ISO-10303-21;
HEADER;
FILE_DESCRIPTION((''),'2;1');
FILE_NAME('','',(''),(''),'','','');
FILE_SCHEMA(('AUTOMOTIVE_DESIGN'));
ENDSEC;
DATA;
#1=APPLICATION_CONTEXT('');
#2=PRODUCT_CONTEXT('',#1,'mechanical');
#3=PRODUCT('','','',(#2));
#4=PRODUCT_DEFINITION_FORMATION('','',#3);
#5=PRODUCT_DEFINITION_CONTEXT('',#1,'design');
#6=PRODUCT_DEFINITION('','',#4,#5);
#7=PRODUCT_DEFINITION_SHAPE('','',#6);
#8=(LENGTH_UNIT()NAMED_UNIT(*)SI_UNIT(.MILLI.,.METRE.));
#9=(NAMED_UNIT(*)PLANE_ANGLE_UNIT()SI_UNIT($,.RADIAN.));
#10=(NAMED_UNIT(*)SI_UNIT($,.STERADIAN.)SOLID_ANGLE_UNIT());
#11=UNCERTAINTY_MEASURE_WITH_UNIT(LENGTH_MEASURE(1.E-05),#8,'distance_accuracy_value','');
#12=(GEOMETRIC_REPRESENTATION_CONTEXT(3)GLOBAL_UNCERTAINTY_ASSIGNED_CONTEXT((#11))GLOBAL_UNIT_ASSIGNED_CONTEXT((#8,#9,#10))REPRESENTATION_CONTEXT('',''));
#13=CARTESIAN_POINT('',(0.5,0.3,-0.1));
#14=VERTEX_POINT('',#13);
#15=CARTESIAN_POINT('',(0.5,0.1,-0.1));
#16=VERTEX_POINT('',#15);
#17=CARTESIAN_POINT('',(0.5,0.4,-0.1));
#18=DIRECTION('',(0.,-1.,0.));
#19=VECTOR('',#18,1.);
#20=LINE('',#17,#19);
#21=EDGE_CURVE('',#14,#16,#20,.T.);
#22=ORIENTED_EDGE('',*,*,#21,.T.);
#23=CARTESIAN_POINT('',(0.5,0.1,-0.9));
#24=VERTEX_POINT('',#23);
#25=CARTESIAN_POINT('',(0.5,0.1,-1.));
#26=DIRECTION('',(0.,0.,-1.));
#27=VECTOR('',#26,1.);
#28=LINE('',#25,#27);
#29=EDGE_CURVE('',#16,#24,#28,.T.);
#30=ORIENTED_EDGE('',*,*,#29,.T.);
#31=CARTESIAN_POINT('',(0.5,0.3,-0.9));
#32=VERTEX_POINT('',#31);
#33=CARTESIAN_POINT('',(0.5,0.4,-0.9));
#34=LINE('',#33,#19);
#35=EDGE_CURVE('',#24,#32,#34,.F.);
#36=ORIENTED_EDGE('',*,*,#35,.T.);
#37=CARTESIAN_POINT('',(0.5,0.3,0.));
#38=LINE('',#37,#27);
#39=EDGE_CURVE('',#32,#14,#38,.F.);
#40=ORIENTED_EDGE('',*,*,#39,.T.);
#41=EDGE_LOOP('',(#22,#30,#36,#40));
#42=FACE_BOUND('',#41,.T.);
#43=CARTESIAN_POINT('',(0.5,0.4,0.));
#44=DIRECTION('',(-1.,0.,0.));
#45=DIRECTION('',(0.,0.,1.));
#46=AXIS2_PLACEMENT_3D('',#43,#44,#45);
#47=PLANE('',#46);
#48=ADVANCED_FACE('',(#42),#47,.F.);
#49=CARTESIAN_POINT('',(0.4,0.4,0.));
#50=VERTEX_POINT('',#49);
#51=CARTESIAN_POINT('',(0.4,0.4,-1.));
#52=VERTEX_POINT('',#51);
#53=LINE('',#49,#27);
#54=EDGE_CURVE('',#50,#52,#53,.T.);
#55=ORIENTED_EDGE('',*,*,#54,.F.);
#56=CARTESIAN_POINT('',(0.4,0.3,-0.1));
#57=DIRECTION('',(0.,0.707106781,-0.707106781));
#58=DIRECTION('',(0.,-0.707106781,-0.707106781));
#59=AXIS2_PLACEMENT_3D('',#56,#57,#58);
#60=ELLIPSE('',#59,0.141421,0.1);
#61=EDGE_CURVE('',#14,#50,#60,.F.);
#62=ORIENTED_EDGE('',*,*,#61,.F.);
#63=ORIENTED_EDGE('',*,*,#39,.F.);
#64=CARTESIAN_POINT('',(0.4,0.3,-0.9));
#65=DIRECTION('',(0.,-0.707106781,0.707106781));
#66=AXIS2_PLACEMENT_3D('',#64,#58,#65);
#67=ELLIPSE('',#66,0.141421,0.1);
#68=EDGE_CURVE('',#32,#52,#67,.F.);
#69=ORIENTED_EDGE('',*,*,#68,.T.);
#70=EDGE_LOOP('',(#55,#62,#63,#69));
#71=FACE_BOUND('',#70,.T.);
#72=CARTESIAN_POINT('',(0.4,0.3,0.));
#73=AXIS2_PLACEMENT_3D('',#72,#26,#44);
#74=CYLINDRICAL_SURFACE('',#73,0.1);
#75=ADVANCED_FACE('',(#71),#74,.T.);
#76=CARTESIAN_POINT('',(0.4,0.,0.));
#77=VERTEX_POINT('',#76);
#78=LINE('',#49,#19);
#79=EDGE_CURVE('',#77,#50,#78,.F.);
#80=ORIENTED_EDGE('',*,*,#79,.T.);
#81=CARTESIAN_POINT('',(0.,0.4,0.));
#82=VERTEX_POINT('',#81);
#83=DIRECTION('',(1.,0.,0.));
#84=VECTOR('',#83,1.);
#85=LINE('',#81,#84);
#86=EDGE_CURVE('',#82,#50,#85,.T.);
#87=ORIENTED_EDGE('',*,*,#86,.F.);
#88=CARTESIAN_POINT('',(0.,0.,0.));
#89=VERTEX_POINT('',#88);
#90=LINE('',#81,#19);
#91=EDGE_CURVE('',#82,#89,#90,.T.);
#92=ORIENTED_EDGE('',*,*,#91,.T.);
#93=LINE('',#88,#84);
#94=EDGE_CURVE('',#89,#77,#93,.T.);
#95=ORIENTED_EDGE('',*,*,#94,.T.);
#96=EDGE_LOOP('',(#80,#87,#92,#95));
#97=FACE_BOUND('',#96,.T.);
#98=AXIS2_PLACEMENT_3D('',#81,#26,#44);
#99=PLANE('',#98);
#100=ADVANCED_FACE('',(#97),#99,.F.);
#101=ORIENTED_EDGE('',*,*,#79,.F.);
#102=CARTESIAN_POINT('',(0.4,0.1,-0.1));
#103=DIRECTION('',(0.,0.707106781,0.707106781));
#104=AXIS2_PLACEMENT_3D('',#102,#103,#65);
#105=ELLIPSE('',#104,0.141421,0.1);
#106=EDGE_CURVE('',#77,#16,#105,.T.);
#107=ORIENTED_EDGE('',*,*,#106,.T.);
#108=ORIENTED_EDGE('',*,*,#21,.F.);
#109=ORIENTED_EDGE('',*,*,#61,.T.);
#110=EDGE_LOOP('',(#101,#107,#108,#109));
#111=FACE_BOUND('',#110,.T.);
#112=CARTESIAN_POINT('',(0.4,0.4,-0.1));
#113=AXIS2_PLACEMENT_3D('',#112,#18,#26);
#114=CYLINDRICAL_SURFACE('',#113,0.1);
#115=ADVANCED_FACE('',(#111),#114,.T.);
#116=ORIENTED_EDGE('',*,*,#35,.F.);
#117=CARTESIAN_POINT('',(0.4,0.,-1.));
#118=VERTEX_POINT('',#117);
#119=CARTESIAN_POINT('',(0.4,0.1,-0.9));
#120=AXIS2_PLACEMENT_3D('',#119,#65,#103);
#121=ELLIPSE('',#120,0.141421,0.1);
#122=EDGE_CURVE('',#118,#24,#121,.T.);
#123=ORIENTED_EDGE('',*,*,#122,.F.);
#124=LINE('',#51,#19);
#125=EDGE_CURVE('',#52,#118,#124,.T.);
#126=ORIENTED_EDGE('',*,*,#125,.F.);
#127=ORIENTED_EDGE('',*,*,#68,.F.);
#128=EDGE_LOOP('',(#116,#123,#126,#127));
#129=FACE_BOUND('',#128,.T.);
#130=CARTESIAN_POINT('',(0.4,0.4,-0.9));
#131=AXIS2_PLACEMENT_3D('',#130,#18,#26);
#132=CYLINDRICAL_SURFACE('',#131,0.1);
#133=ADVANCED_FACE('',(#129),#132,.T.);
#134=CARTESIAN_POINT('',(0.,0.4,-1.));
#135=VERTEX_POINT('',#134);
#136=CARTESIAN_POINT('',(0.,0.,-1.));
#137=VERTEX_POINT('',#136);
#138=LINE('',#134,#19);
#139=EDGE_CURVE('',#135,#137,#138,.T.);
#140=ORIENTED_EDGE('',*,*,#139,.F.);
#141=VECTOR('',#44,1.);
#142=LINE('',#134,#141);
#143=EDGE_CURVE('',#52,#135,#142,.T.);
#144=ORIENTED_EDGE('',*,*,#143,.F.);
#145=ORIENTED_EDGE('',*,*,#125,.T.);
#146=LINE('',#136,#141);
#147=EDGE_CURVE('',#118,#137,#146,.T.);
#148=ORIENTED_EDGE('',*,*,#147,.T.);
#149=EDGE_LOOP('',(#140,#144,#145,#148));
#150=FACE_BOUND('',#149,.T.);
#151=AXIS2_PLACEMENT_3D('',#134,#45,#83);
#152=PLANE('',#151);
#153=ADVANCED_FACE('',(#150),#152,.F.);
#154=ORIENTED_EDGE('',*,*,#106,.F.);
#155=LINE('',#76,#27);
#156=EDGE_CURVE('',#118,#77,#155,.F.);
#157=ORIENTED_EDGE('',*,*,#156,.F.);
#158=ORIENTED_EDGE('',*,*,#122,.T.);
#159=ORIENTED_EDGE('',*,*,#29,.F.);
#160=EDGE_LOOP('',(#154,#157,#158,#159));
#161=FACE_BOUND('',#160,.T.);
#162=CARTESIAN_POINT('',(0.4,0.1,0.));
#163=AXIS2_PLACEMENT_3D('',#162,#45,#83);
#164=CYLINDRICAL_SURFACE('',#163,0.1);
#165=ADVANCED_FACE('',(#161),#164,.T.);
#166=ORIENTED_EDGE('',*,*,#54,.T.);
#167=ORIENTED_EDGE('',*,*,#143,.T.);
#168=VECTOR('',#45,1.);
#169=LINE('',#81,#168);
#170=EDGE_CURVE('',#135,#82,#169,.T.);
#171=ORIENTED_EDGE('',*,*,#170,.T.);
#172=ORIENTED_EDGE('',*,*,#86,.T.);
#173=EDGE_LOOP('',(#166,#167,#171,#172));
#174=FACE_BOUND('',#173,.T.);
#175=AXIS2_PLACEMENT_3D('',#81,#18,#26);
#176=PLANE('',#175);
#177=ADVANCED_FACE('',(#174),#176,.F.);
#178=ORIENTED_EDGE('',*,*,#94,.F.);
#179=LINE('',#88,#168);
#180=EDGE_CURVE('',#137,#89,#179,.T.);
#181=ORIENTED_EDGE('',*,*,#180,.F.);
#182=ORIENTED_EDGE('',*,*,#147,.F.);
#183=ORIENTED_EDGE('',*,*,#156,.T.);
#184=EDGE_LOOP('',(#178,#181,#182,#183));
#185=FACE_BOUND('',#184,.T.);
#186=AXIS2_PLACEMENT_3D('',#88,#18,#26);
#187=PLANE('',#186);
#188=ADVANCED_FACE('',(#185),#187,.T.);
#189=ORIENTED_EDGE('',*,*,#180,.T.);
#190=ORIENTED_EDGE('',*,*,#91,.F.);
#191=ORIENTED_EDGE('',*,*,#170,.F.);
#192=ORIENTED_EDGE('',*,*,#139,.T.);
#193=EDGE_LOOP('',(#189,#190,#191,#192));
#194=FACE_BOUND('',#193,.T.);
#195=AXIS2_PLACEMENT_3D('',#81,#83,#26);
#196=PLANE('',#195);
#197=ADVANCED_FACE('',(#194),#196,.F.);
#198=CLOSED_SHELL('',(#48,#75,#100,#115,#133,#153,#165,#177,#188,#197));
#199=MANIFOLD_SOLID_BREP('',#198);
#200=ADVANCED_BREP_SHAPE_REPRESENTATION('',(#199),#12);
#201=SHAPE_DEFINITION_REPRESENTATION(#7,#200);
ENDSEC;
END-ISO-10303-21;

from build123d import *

# Parameters (mm, degrees)
ESQUISSE1_W      = 0.5
ESQUISSE1_H      = 1
EXTRUSION1_DEPTH = 0.4
CONG_1_R         = 0.1


with BuildPart() as part:
    # Esquisse1 → Extrusion1 (new body)
    with BuildSketch(Plane(origin=(0, 0, 0), x_dir=(1, 0, 0), z_dir=(0, 1, 0))):
        with Locations((0.25, 0.5)):
            Rectangle(ESQUISSE1_W, ESQUISSE1_H)
    extrude(amount=EXTRUSION1_DEPTH)

    # Congé1
    cong_1_edges = [part.edges().sort_by_distance(p)[0] for p in [
        (0.5, 0.4, -0.5),
        (0.5, 0, -0.5),
        (0.5, 0.2, -1),
        (0.5, 0.2, 0),
    ]]
    fillet(cong_1_edges, radius=CONG_1_R)


solid = part.part
